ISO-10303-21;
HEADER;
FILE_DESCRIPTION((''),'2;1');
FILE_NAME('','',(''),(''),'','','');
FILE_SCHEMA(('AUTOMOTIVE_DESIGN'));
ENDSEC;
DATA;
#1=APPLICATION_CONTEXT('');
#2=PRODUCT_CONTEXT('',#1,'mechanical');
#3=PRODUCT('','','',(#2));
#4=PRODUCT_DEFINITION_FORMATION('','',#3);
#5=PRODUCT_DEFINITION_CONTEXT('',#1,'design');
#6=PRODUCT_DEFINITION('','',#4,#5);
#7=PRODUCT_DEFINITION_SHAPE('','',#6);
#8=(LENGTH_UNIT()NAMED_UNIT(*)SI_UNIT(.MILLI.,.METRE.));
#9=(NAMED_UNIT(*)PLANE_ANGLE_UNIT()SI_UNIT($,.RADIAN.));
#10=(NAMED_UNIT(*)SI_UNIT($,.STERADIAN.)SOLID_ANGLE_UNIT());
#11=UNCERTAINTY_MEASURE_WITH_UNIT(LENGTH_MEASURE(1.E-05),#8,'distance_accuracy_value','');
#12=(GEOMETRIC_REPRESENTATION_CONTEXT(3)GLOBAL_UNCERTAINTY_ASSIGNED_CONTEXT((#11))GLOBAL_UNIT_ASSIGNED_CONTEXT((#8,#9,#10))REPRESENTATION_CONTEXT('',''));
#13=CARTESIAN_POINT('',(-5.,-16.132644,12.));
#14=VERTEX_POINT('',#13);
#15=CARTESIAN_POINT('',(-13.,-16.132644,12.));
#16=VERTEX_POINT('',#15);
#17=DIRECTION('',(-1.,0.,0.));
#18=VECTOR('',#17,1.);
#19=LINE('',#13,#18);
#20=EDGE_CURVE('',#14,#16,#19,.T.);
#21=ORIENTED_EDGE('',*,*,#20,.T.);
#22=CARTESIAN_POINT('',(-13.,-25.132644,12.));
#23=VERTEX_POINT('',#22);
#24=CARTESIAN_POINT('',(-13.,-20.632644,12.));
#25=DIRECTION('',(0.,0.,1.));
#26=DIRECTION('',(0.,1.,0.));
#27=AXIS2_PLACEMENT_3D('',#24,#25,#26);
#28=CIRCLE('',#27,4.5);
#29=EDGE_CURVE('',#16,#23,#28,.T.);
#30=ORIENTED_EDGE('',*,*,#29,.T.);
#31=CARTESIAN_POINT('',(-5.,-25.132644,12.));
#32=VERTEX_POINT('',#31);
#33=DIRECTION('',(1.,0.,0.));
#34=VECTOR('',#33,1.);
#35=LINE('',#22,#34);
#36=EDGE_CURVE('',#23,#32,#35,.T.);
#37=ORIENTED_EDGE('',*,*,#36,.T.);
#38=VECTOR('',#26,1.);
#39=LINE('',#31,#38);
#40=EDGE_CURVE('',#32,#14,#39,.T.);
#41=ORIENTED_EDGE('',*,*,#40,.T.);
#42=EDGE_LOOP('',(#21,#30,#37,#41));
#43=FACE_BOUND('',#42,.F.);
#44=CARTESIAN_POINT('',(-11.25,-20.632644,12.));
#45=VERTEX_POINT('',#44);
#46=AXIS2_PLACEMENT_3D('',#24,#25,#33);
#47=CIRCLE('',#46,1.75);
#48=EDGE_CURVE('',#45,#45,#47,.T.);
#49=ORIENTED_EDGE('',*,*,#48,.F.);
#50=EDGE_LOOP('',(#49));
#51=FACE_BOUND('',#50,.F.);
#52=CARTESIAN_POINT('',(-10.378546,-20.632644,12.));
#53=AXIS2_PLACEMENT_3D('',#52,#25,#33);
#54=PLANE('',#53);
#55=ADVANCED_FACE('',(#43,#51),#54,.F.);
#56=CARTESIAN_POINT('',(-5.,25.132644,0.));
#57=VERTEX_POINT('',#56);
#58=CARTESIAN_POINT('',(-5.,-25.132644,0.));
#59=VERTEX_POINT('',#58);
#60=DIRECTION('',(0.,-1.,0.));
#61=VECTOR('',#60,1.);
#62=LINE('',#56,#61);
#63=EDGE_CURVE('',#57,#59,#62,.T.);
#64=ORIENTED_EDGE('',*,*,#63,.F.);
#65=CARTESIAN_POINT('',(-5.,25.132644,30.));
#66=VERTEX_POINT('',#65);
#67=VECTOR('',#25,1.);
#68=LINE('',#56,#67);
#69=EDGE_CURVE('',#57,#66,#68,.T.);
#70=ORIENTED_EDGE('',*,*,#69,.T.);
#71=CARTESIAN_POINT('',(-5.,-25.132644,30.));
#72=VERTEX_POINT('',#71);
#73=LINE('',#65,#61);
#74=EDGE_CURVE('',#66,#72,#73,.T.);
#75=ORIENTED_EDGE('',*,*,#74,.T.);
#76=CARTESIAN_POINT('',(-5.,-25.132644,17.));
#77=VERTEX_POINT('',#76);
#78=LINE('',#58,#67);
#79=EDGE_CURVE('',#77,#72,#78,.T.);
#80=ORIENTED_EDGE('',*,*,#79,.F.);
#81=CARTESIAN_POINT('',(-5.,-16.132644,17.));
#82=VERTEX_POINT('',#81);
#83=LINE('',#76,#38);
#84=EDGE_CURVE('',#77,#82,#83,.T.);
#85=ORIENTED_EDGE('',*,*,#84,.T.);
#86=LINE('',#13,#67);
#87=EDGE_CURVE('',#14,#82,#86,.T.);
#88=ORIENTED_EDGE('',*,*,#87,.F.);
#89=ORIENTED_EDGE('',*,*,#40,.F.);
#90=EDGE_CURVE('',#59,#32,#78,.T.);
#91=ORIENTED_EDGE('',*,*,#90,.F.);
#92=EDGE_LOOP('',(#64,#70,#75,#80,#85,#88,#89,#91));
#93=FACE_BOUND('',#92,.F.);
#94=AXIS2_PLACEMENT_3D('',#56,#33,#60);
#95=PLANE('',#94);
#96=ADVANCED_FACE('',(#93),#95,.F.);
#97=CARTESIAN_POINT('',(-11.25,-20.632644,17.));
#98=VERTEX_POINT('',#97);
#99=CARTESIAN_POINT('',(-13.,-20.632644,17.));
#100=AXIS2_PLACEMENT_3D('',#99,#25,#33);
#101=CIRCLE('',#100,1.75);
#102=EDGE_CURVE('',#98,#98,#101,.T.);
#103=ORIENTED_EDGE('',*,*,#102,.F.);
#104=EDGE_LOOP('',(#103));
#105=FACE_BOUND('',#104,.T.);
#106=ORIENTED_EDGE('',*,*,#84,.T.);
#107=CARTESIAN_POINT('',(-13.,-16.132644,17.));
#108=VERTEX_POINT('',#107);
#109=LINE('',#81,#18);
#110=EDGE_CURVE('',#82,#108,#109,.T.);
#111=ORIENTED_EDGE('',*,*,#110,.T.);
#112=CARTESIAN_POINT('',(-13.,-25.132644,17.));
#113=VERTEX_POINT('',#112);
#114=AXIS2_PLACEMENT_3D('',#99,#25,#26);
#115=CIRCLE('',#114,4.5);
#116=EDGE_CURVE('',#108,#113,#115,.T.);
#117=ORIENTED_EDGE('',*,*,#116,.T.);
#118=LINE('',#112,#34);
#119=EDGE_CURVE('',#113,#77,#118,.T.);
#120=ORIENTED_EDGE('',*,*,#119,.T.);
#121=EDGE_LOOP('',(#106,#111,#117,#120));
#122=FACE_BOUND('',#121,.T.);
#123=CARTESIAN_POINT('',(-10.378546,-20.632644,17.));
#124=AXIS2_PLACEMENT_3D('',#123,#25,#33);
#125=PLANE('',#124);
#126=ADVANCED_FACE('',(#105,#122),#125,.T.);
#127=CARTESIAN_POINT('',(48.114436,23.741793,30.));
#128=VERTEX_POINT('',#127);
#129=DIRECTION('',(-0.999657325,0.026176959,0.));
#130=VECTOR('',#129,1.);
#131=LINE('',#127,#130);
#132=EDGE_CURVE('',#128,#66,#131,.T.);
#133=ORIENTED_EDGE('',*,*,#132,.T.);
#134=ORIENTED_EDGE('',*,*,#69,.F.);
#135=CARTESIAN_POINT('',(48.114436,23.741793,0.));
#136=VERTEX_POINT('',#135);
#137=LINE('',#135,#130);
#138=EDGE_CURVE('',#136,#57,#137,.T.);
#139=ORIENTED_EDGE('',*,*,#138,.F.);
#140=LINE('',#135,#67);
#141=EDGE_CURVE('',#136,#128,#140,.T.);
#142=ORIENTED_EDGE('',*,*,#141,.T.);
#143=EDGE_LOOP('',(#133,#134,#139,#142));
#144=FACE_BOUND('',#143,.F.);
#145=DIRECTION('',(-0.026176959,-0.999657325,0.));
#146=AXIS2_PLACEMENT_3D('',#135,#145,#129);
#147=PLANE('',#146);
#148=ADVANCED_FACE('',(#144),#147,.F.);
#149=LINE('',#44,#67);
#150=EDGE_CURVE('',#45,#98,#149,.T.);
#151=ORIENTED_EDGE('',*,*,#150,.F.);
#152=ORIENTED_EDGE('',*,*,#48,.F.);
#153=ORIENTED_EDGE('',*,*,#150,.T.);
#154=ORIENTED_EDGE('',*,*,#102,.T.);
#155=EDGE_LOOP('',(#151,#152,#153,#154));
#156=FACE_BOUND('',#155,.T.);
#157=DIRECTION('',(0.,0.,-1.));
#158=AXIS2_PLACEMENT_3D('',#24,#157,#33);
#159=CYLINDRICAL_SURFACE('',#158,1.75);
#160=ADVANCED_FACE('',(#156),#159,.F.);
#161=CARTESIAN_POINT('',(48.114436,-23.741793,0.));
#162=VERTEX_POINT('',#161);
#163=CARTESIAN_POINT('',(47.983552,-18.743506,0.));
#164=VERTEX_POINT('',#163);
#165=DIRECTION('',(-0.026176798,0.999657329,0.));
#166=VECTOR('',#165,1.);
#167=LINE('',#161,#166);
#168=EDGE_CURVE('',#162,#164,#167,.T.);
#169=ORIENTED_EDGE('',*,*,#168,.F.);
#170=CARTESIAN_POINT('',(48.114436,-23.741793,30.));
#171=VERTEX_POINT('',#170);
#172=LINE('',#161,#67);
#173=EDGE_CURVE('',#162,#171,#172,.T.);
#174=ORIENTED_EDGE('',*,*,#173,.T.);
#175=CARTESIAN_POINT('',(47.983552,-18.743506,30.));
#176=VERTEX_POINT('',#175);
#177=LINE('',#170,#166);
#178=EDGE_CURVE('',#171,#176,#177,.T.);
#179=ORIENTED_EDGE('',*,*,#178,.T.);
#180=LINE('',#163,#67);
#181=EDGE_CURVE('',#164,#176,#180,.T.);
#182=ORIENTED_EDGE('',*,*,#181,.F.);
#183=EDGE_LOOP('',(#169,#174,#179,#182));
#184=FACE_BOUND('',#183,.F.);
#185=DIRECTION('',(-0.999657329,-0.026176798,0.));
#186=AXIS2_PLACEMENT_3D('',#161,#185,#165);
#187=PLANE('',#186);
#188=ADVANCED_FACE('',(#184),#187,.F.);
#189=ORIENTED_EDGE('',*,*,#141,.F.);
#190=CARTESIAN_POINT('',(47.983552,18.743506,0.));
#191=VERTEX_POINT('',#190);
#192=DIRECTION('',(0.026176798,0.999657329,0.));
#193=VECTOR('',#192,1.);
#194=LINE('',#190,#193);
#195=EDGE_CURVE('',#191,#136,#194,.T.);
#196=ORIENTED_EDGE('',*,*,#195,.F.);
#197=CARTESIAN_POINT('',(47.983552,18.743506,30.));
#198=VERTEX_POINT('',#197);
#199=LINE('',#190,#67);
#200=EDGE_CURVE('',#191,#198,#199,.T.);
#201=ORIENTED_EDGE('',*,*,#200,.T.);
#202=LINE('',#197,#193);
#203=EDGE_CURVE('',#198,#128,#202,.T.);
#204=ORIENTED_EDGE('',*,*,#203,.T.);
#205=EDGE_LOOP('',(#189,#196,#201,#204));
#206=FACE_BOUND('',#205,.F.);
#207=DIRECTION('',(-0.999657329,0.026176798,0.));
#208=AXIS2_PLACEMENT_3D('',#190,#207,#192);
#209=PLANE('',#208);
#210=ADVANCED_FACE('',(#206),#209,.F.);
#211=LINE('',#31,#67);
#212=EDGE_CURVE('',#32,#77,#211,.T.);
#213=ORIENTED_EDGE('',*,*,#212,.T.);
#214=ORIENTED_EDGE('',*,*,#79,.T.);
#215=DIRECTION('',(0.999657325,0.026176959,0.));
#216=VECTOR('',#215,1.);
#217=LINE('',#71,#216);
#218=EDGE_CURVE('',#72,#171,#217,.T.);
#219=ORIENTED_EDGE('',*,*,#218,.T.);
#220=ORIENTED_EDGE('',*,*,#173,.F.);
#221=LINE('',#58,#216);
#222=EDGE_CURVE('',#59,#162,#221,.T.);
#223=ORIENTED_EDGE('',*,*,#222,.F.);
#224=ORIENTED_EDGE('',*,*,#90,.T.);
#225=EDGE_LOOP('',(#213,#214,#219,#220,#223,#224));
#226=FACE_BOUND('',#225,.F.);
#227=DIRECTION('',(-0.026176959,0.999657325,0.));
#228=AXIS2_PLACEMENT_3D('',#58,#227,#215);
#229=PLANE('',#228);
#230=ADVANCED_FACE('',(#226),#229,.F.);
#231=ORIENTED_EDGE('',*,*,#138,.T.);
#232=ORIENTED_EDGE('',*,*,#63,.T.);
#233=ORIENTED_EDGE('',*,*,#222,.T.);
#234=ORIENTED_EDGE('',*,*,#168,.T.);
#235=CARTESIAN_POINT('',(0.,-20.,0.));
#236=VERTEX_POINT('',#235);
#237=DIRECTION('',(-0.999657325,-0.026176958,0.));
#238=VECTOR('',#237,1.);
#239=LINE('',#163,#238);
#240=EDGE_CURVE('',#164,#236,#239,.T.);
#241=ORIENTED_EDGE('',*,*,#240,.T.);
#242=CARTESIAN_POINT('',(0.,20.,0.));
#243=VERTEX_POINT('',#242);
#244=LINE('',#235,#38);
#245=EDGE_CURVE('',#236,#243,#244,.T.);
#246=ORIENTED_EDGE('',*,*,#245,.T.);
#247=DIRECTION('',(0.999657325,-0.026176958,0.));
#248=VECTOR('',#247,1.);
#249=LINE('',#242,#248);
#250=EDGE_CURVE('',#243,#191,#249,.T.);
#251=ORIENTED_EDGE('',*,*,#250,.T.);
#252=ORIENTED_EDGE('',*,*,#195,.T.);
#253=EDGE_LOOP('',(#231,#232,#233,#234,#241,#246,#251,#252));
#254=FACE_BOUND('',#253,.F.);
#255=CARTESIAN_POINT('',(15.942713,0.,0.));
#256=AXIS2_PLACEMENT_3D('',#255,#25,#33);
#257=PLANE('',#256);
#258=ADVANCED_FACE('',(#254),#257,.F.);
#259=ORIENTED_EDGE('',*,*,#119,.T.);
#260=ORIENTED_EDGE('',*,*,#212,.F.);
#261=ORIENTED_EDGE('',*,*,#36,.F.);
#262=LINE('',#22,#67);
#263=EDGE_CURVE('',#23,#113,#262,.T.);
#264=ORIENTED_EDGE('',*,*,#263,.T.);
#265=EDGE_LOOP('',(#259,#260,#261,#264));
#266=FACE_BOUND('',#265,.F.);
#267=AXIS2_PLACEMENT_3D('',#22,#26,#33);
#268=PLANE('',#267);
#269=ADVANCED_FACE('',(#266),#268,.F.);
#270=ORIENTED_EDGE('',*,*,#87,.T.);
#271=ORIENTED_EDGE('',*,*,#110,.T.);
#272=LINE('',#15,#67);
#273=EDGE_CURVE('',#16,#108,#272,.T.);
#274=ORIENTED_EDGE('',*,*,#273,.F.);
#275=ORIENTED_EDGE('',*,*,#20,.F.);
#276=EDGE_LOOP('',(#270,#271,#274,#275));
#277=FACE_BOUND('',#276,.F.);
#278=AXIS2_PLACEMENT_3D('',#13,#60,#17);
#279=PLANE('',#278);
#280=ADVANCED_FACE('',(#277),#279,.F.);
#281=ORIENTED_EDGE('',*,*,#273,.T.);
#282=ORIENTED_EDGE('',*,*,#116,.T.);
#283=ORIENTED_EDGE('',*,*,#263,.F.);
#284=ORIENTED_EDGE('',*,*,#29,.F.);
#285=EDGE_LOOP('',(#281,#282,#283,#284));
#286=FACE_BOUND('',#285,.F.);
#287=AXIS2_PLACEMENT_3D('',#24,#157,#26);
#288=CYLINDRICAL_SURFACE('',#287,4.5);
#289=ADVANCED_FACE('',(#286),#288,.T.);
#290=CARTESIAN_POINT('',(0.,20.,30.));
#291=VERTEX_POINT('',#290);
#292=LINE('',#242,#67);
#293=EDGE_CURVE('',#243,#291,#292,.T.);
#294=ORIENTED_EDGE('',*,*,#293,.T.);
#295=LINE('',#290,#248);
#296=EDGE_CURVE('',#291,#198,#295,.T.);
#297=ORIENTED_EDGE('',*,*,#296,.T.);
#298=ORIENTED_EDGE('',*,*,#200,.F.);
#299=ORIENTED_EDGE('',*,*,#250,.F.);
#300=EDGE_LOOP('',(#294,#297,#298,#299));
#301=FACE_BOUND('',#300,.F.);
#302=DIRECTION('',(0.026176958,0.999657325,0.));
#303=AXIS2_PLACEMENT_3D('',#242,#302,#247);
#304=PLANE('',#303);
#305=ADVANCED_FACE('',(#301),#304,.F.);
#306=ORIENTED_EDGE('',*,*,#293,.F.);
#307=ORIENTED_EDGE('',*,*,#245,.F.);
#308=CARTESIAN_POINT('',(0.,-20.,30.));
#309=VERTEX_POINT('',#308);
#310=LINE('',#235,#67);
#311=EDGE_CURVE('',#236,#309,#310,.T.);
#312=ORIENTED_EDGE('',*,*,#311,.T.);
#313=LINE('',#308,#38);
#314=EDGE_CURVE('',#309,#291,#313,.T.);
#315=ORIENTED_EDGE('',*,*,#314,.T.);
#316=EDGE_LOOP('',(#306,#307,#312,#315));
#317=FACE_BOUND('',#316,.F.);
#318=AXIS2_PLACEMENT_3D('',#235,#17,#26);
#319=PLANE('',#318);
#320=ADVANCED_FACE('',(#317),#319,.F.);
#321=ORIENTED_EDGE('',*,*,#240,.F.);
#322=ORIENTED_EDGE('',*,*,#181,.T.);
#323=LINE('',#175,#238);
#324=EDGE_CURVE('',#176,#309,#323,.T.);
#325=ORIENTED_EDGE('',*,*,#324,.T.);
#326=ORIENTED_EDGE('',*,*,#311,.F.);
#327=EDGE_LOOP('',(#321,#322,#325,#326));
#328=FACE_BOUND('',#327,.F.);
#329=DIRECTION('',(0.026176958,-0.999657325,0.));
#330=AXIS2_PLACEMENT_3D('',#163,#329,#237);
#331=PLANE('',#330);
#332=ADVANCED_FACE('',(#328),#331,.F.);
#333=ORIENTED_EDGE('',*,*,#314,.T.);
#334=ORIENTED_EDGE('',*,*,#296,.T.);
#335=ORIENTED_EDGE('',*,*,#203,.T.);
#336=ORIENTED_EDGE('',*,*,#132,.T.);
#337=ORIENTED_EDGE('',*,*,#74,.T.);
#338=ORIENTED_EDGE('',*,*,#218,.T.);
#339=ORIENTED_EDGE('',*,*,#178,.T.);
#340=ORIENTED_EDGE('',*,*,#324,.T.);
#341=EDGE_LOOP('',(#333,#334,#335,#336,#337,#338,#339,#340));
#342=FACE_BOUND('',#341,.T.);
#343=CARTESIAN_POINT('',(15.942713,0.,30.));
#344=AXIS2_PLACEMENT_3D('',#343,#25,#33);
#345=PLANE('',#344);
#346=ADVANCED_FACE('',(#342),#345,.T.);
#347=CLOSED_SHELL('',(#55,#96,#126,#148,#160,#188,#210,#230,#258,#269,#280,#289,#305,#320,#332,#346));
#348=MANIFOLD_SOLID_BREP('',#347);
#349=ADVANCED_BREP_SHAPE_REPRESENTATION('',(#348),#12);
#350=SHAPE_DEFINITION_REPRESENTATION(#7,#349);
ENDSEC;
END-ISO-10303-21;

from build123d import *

# Parameters (mm, degrees)
F1_DEPTH = 30
F3_R     = 1.75
F4_DEPTH = 5


with BuildPart() as f1:
    # F0 (on Top) → F1 (new body)
    with BuildSketch(Plane.XY):
        Polygon((0, -20), (0, 0), (0, 20), (47.983552, 18.743506), (48.114436, 23.741793), (-5, 25.132644), (-5, 0), (-5, -25.132644), (48.114436, -23.741793), (47.983552, -18.743506), align=None)
    extrude(amount=F1_DEPTH)

    # F3 (on offset) → F4 (join)
    with BuildSketch(Plane.XY.offset(12)):
        with BuildLine():
            Line((-13, -25.132644), (-5, -25.132644))
            Line((-5, -25.132644), (-5, -16.132644))
            Line((-5, -16.132644), (-13, -16.132644))
            ThreePointArc((-13, -16.132644), (-17.5, -20.632644), (-13, -25.132644))
        make_face()
        with Locations((-13, -20.632644)):
            Circle(F3_R, mode=Mode.SUBTRACT)
    extrude(amount=F4_DEPTH)


solid = f1.part
